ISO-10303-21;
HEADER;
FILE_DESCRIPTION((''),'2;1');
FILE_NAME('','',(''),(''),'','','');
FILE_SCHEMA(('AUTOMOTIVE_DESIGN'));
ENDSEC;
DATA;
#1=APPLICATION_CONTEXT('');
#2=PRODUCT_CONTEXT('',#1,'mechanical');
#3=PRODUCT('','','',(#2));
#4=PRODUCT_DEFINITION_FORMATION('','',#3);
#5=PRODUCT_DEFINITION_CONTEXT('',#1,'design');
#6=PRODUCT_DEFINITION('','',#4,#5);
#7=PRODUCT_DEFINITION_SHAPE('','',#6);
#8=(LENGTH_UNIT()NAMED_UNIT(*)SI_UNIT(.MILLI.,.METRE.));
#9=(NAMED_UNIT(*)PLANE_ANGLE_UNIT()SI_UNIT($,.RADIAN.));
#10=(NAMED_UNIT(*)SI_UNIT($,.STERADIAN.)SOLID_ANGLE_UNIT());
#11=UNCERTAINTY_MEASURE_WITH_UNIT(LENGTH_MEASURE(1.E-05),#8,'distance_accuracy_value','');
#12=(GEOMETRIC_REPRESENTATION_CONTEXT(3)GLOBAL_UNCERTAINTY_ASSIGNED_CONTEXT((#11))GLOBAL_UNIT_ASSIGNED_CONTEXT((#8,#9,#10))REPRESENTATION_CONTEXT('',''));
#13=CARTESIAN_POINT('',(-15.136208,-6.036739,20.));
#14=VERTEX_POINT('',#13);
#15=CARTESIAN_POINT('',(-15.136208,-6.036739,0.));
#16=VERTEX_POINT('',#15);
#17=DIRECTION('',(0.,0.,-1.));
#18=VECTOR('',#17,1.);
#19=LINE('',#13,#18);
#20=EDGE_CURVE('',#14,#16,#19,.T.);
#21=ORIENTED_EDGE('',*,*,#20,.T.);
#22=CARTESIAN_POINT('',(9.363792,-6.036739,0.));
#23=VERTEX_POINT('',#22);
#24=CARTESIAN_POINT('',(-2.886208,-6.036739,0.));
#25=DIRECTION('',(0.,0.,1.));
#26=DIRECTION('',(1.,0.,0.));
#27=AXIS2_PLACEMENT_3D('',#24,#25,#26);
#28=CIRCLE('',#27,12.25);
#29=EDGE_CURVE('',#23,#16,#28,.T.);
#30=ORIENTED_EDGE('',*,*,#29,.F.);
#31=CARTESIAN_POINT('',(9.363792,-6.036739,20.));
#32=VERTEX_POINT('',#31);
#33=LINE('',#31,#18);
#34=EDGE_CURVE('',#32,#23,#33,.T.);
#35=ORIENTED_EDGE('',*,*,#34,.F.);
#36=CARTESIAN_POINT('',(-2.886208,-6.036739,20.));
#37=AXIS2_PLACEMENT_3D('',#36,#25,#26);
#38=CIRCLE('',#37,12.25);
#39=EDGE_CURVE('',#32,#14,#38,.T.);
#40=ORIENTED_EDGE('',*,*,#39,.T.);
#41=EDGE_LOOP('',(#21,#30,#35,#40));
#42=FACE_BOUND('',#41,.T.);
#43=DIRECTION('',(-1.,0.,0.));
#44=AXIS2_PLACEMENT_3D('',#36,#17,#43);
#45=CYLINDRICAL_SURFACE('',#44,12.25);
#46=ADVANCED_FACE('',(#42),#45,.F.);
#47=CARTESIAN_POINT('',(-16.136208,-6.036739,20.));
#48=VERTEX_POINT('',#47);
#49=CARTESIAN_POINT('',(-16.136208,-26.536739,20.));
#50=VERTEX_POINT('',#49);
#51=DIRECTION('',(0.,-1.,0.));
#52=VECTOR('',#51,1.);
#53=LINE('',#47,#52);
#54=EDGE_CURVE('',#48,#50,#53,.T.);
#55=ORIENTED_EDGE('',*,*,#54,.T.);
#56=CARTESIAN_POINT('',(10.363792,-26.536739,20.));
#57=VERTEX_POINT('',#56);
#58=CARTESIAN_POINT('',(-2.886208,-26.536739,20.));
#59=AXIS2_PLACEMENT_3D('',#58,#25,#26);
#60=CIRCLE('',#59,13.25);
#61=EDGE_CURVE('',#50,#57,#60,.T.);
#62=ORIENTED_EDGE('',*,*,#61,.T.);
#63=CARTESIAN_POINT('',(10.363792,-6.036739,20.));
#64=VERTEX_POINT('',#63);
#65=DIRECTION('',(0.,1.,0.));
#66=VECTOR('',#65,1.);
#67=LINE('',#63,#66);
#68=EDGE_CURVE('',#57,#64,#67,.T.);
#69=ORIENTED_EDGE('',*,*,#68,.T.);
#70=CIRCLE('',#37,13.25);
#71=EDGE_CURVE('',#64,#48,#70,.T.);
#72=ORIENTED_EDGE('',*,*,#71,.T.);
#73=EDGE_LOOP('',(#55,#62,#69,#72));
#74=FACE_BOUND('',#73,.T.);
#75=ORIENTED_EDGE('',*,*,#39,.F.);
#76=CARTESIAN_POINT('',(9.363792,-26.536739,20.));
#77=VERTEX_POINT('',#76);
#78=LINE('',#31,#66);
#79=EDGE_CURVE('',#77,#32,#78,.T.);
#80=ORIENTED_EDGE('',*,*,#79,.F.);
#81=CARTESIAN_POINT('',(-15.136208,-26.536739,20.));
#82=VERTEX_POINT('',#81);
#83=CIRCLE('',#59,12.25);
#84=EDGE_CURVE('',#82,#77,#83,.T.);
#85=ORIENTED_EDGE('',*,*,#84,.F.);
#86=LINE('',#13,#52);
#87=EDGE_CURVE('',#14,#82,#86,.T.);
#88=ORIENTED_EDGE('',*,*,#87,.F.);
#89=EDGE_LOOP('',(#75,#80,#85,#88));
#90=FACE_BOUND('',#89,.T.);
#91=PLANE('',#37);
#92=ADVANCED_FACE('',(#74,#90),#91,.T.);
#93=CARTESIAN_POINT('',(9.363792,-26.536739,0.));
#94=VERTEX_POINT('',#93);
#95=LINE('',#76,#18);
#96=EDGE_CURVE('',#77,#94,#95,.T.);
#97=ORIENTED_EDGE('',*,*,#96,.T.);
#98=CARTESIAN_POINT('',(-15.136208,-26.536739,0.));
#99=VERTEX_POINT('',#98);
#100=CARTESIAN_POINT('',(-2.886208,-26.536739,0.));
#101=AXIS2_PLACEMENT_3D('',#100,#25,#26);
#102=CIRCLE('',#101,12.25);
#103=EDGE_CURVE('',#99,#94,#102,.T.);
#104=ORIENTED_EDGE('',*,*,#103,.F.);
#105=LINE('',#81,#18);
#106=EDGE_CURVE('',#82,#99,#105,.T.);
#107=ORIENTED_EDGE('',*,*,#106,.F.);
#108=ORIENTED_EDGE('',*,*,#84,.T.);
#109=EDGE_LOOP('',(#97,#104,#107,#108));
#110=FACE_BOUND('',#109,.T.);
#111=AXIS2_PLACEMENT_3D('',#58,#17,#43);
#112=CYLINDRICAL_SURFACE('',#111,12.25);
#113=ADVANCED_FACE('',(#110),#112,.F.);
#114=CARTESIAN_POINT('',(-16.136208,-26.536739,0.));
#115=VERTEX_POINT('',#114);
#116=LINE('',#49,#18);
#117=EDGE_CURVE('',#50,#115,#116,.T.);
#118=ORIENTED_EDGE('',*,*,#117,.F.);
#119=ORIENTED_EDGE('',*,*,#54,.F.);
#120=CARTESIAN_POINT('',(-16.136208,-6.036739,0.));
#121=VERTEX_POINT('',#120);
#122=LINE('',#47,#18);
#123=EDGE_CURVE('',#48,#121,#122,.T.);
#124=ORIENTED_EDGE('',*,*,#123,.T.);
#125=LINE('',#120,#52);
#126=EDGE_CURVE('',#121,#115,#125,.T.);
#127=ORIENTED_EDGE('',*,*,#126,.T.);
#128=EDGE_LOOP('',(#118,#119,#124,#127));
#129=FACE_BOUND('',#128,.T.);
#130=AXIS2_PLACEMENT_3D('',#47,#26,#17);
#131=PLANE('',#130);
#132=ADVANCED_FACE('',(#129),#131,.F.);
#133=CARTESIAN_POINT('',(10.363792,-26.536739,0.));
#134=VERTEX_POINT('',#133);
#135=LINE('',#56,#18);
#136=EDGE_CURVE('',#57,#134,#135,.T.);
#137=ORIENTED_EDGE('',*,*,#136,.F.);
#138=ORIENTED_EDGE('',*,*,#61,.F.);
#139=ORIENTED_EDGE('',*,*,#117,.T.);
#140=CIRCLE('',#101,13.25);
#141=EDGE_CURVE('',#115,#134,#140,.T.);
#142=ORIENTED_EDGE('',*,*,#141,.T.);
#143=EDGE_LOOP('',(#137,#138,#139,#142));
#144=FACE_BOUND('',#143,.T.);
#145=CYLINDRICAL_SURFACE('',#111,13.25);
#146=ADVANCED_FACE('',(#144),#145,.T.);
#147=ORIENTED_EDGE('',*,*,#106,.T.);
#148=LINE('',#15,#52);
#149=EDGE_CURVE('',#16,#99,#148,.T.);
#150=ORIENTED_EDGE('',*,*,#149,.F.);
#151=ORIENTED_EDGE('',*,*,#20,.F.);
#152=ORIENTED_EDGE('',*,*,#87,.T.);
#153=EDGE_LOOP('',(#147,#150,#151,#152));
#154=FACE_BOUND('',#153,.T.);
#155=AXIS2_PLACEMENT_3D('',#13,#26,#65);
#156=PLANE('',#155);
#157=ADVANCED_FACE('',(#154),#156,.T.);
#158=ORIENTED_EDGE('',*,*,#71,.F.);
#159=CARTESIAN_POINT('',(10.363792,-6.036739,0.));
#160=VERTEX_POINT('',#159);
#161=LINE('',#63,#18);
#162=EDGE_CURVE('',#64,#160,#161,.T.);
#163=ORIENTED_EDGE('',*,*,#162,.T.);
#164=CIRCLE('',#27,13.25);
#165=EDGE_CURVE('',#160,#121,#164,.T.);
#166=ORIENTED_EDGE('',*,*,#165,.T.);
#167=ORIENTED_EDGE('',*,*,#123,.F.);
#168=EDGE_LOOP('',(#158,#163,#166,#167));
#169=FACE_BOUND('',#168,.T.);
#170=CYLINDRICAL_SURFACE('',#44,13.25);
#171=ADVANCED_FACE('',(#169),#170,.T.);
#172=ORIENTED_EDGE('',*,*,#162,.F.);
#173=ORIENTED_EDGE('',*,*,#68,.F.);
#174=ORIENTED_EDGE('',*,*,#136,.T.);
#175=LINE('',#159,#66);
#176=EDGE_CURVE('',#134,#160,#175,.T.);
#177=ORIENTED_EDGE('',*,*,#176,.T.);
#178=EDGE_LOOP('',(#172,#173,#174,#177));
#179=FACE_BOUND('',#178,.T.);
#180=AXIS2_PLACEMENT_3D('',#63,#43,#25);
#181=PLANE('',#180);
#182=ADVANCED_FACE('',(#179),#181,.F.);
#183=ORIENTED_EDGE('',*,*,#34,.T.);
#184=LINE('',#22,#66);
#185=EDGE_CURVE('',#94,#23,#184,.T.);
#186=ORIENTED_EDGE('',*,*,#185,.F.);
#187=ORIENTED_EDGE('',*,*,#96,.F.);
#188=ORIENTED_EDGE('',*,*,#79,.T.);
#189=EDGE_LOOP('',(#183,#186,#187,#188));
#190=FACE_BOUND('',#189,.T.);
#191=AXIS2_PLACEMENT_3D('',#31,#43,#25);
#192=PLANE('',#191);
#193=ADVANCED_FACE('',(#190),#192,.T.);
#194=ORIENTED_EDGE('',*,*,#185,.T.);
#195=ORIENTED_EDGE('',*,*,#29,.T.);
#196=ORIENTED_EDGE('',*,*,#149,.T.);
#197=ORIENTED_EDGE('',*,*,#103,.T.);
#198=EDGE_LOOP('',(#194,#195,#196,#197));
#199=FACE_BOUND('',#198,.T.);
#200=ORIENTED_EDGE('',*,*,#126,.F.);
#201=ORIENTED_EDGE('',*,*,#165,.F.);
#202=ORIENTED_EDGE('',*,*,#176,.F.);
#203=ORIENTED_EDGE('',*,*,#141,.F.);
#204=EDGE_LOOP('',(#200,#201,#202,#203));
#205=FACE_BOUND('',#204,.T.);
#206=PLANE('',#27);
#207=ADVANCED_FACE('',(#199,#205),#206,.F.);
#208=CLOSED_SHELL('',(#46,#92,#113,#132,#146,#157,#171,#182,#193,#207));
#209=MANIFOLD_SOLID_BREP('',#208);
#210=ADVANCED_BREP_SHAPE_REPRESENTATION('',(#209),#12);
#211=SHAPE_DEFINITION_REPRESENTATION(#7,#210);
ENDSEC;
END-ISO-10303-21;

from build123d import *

# Parameters (mm, degrees)
BOSS_EXTRUDE1_DEPTH = 20


with BuildPart() as part:
    # Sketch1 → Boss-Extrude1 (new body)
    with BuildSketch(Plane.XY):
        with BuildLine():
            Line((10.363792049, -6.036739239), (10.363792049, -26.536739239))
            ThreePointArc((10.363792049, -26.536739239), (-2.886207951, -39.786739239), (-16.136207951, -26.536739239))
            Line((-16.136207951, -26.536739239), (-16.136207951, -6.036739239))
            ThreePointArc((-16.136207951, -6.036739239), (-2.886207951, 7.213260761), (10.363792049, -6.036739239))
        make_face()
        with BuildLine():
            Line((9.363792049, -6.036739239), (9.363792049, -26.536739239))
            ThreePointArc((9.363792049, -26.536739239), (-2.886207951, -38.786739239), (-15.136207951, -26.536739239))
            Line((-15.136207951, -26.536739239), (-15.136207951, -6.036739239))
            ThreePointArc((-15.136207951, -6.036739239), (-2.886207951, 6.213260761), (9.363792049, -6.036739239))
        make_face(mode=Mode.SUBTRACT)
    extrude(amount=BOSS_EXTRUDE1_DEPTH)


solid = part.part
